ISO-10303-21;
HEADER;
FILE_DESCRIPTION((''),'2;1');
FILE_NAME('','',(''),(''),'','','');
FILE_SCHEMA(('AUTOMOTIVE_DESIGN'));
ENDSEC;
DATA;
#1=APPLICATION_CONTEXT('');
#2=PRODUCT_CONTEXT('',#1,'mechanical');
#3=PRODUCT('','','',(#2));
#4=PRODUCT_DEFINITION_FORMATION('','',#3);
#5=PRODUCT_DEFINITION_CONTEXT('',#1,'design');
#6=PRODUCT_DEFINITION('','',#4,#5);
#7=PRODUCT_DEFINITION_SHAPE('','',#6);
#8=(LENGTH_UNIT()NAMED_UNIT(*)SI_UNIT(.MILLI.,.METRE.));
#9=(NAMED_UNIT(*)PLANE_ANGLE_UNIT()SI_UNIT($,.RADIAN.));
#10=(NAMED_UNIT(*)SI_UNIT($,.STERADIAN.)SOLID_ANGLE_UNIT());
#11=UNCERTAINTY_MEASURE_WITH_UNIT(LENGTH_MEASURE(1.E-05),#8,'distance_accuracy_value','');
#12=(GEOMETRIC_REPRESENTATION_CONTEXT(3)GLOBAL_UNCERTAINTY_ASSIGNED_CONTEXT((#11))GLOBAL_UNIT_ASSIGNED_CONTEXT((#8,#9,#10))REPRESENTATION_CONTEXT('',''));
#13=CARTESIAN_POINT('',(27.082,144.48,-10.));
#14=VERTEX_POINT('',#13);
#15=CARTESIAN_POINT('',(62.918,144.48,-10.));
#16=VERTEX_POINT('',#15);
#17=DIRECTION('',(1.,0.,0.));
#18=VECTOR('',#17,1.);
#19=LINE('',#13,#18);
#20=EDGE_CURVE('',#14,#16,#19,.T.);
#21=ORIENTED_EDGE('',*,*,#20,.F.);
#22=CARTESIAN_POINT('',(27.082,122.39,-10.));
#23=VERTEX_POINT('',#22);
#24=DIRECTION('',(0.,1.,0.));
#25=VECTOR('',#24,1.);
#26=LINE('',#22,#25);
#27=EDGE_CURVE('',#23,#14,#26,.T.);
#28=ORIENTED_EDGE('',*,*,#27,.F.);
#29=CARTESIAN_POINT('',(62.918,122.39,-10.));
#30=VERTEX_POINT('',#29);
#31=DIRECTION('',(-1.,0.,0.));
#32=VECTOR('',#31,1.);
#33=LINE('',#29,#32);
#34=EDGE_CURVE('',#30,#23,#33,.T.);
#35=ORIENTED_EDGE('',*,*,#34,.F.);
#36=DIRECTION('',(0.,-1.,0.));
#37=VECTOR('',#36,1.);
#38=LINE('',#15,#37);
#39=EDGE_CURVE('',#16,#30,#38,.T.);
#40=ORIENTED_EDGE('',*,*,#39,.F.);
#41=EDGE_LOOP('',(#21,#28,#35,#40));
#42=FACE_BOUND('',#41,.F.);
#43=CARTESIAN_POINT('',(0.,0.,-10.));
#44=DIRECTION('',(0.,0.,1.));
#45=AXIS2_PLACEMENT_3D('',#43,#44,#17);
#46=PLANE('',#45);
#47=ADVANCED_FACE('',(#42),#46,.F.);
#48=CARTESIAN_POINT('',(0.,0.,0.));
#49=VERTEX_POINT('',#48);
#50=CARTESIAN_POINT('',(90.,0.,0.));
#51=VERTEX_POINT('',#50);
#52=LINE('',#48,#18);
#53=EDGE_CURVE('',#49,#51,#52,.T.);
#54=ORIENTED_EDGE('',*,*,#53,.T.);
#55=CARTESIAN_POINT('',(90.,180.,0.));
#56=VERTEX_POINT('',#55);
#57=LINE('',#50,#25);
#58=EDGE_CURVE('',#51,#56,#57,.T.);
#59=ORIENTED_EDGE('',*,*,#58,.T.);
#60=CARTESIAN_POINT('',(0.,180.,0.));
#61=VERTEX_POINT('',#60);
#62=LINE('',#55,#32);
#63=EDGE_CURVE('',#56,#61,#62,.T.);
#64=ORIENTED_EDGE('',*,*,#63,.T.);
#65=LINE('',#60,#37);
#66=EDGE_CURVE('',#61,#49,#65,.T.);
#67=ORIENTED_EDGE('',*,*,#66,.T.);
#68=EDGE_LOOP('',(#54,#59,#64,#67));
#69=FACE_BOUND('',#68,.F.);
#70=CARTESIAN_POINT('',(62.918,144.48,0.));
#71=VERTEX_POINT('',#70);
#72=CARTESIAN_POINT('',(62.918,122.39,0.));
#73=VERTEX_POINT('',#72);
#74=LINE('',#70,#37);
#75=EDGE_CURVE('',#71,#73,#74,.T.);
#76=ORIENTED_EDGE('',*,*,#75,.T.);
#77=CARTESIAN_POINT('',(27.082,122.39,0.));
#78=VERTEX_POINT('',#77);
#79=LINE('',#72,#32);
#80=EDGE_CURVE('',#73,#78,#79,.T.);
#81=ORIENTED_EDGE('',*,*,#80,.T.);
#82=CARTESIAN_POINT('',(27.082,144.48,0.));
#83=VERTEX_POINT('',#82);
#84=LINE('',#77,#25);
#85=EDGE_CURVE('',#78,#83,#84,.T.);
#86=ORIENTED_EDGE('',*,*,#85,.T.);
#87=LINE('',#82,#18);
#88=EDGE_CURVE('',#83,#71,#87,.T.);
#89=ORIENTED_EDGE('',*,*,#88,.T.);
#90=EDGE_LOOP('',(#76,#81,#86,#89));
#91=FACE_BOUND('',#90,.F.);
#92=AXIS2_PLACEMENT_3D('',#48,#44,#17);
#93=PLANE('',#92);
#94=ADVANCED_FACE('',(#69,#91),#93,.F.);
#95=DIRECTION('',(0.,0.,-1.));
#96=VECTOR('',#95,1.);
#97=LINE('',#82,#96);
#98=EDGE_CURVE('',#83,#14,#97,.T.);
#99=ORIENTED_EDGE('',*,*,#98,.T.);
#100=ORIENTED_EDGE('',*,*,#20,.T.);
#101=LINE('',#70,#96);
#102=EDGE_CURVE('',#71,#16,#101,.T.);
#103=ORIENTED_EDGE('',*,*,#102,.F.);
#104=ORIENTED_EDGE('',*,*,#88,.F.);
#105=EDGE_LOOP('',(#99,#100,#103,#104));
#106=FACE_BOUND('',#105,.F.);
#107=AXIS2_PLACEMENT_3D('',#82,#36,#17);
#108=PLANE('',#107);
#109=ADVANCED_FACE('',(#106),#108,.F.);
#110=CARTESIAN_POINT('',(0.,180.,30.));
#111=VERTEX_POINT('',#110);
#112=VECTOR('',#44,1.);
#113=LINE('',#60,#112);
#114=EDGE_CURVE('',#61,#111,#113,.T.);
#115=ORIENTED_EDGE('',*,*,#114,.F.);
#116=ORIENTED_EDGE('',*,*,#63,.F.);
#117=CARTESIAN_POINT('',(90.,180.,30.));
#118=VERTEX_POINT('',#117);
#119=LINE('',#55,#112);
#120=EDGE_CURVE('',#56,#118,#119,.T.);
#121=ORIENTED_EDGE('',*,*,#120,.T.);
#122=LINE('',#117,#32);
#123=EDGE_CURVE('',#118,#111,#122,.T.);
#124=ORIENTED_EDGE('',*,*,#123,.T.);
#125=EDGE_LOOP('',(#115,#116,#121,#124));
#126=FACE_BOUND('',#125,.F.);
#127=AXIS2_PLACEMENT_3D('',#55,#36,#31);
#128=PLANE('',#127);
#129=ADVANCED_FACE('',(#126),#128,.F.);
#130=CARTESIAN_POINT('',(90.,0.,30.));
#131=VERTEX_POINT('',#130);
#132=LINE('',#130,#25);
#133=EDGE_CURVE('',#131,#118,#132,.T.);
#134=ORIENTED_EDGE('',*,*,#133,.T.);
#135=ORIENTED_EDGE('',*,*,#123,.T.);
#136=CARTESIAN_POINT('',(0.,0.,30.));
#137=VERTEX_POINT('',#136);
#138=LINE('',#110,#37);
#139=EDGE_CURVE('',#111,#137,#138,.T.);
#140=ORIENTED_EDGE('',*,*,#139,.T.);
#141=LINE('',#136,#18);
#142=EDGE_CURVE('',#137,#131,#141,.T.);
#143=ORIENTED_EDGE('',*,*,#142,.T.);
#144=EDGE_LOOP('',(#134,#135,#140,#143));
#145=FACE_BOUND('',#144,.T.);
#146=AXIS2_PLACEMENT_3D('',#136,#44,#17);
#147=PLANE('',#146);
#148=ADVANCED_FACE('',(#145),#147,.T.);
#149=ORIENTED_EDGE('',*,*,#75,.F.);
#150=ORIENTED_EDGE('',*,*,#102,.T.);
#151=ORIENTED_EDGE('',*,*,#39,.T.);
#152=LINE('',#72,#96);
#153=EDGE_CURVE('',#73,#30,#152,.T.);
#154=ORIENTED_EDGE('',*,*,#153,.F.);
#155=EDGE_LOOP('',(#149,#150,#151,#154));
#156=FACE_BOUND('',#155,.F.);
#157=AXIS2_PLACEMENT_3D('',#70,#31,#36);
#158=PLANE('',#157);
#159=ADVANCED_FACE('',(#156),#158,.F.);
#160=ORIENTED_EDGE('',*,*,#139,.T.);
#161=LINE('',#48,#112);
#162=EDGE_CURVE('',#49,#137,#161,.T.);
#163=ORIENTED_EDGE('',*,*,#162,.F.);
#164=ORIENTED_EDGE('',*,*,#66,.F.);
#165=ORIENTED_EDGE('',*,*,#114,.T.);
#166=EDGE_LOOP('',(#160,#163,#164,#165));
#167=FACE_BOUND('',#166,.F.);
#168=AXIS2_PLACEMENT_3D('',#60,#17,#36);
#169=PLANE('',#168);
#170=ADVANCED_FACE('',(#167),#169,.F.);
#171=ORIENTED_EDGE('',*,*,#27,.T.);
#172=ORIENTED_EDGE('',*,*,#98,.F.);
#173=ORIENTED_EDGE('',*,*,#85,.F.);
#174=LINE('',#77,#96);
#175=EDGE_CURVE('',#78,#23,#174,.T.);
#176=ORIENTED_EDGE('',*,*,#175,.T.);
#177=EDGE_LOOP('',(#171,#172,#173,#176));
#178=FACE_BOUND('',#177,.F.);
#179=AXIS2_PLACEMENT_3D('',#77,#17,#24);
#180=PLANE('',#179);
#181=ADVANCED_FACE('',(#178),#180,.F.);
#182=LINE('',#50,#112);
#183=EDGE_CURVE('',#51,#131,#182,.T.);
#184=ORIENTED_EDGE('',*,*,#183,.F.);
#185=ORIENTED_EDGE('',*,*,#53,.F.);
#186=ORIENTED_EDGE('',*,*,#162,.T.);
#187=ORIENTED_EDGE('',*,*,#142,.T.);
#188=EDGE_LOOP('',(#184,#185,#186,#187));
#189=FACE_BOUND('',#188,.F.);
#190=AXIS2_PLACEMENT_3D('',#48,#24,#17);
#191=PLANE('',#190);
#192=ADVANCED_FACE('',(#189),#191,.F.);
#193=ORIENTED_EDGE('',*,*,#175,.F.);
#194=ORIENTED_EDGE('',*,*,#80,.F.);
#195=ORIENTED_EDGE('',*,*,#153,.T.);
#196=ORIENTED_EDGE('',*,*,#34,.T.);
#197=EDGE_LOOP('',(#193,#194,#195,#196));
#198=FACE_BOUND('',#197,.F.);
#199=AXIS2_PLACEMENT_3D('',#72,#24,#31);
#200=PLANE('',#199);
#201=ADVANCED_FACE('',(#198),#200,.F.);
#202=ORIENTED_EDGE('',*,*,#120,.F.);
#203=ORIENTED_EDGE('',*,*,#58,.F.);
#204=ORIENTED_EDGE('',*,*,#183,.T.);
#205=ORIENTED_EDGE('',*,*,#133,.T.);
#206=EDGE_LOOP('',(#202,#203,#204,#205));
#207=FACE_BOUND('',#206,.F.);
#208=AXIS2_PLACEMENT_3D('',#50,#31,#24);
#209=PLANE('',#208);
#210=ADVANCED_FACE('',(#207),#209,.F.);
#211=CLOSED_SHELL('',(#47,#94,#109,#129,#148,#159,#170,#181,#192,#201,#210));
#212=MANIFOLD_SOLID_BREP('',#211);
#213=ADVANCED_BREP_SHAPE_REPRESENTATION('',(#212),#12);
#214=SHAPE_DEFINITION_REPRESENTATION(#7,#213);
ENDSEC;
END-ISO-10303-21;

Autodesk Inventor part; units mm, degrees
ref_plane "YZ Plane" through (0, 0, 0) normal (1, 0, 0) x (0, 1, 0)
ref_plane "XZ Plane" through (0, 0, 0) normal (0, 1, 0) x (-1, 0, 0)
ref_plane "XY Plane" through (0, 0, 0) normal (0, 0, 1) x (1, 0, 0)
sketch "Boceto1" plane through (0, 0, 0) normal (0, 0, 1) x (1, 0, 0)
  line L0 (0, 0) -> (90, 0)
  line L1 (90, 0) -> (90, 180)
  line L2 (90, 180) -> (0, 180)
  line L3 (0, 180) -> (0, 0)
  line L4 (27.082, 144.48) -> (62.918, 144.48)
  line L5 (62.918, 144.48) -> (62.918, 122.39)
  line L6 (62.918, 122.39) -> (27.082, 122.39)
  line L7 (27.082, 122.39) -> (27.082, 144.48)
  point P0 (45, 144.48)
  dimension "d0" = 180
  dimension "d1" = 90
  dimension "d2" = 35.52
  dimension "d3" = 22.09
  dimension "d4" = 35.836
  dimension "d5" = 45
sketch "Boceto2" plane through (0, 0, 0) normal (0, 0, 1) x (1, 0, 0)
  line L0 (0, 0) -> (90, 0)
  line L1 (90, 0) -> (90, 180)
  line L2 (90, 180) -> (0, 180)
  line L3 (0, 180) -> (0, 0)
  dimension "d6" = 90
  dimension "d7" = 180
extrude "Extrusión1" add sketch "Boceto2" along normal blind 30
extrude "Extrusión2" add sketch "Boceto1" against normal blind 10 contours L4 L5 L6 L7
properties part number "MoldeDerechoPiezaInferiorBarco"
